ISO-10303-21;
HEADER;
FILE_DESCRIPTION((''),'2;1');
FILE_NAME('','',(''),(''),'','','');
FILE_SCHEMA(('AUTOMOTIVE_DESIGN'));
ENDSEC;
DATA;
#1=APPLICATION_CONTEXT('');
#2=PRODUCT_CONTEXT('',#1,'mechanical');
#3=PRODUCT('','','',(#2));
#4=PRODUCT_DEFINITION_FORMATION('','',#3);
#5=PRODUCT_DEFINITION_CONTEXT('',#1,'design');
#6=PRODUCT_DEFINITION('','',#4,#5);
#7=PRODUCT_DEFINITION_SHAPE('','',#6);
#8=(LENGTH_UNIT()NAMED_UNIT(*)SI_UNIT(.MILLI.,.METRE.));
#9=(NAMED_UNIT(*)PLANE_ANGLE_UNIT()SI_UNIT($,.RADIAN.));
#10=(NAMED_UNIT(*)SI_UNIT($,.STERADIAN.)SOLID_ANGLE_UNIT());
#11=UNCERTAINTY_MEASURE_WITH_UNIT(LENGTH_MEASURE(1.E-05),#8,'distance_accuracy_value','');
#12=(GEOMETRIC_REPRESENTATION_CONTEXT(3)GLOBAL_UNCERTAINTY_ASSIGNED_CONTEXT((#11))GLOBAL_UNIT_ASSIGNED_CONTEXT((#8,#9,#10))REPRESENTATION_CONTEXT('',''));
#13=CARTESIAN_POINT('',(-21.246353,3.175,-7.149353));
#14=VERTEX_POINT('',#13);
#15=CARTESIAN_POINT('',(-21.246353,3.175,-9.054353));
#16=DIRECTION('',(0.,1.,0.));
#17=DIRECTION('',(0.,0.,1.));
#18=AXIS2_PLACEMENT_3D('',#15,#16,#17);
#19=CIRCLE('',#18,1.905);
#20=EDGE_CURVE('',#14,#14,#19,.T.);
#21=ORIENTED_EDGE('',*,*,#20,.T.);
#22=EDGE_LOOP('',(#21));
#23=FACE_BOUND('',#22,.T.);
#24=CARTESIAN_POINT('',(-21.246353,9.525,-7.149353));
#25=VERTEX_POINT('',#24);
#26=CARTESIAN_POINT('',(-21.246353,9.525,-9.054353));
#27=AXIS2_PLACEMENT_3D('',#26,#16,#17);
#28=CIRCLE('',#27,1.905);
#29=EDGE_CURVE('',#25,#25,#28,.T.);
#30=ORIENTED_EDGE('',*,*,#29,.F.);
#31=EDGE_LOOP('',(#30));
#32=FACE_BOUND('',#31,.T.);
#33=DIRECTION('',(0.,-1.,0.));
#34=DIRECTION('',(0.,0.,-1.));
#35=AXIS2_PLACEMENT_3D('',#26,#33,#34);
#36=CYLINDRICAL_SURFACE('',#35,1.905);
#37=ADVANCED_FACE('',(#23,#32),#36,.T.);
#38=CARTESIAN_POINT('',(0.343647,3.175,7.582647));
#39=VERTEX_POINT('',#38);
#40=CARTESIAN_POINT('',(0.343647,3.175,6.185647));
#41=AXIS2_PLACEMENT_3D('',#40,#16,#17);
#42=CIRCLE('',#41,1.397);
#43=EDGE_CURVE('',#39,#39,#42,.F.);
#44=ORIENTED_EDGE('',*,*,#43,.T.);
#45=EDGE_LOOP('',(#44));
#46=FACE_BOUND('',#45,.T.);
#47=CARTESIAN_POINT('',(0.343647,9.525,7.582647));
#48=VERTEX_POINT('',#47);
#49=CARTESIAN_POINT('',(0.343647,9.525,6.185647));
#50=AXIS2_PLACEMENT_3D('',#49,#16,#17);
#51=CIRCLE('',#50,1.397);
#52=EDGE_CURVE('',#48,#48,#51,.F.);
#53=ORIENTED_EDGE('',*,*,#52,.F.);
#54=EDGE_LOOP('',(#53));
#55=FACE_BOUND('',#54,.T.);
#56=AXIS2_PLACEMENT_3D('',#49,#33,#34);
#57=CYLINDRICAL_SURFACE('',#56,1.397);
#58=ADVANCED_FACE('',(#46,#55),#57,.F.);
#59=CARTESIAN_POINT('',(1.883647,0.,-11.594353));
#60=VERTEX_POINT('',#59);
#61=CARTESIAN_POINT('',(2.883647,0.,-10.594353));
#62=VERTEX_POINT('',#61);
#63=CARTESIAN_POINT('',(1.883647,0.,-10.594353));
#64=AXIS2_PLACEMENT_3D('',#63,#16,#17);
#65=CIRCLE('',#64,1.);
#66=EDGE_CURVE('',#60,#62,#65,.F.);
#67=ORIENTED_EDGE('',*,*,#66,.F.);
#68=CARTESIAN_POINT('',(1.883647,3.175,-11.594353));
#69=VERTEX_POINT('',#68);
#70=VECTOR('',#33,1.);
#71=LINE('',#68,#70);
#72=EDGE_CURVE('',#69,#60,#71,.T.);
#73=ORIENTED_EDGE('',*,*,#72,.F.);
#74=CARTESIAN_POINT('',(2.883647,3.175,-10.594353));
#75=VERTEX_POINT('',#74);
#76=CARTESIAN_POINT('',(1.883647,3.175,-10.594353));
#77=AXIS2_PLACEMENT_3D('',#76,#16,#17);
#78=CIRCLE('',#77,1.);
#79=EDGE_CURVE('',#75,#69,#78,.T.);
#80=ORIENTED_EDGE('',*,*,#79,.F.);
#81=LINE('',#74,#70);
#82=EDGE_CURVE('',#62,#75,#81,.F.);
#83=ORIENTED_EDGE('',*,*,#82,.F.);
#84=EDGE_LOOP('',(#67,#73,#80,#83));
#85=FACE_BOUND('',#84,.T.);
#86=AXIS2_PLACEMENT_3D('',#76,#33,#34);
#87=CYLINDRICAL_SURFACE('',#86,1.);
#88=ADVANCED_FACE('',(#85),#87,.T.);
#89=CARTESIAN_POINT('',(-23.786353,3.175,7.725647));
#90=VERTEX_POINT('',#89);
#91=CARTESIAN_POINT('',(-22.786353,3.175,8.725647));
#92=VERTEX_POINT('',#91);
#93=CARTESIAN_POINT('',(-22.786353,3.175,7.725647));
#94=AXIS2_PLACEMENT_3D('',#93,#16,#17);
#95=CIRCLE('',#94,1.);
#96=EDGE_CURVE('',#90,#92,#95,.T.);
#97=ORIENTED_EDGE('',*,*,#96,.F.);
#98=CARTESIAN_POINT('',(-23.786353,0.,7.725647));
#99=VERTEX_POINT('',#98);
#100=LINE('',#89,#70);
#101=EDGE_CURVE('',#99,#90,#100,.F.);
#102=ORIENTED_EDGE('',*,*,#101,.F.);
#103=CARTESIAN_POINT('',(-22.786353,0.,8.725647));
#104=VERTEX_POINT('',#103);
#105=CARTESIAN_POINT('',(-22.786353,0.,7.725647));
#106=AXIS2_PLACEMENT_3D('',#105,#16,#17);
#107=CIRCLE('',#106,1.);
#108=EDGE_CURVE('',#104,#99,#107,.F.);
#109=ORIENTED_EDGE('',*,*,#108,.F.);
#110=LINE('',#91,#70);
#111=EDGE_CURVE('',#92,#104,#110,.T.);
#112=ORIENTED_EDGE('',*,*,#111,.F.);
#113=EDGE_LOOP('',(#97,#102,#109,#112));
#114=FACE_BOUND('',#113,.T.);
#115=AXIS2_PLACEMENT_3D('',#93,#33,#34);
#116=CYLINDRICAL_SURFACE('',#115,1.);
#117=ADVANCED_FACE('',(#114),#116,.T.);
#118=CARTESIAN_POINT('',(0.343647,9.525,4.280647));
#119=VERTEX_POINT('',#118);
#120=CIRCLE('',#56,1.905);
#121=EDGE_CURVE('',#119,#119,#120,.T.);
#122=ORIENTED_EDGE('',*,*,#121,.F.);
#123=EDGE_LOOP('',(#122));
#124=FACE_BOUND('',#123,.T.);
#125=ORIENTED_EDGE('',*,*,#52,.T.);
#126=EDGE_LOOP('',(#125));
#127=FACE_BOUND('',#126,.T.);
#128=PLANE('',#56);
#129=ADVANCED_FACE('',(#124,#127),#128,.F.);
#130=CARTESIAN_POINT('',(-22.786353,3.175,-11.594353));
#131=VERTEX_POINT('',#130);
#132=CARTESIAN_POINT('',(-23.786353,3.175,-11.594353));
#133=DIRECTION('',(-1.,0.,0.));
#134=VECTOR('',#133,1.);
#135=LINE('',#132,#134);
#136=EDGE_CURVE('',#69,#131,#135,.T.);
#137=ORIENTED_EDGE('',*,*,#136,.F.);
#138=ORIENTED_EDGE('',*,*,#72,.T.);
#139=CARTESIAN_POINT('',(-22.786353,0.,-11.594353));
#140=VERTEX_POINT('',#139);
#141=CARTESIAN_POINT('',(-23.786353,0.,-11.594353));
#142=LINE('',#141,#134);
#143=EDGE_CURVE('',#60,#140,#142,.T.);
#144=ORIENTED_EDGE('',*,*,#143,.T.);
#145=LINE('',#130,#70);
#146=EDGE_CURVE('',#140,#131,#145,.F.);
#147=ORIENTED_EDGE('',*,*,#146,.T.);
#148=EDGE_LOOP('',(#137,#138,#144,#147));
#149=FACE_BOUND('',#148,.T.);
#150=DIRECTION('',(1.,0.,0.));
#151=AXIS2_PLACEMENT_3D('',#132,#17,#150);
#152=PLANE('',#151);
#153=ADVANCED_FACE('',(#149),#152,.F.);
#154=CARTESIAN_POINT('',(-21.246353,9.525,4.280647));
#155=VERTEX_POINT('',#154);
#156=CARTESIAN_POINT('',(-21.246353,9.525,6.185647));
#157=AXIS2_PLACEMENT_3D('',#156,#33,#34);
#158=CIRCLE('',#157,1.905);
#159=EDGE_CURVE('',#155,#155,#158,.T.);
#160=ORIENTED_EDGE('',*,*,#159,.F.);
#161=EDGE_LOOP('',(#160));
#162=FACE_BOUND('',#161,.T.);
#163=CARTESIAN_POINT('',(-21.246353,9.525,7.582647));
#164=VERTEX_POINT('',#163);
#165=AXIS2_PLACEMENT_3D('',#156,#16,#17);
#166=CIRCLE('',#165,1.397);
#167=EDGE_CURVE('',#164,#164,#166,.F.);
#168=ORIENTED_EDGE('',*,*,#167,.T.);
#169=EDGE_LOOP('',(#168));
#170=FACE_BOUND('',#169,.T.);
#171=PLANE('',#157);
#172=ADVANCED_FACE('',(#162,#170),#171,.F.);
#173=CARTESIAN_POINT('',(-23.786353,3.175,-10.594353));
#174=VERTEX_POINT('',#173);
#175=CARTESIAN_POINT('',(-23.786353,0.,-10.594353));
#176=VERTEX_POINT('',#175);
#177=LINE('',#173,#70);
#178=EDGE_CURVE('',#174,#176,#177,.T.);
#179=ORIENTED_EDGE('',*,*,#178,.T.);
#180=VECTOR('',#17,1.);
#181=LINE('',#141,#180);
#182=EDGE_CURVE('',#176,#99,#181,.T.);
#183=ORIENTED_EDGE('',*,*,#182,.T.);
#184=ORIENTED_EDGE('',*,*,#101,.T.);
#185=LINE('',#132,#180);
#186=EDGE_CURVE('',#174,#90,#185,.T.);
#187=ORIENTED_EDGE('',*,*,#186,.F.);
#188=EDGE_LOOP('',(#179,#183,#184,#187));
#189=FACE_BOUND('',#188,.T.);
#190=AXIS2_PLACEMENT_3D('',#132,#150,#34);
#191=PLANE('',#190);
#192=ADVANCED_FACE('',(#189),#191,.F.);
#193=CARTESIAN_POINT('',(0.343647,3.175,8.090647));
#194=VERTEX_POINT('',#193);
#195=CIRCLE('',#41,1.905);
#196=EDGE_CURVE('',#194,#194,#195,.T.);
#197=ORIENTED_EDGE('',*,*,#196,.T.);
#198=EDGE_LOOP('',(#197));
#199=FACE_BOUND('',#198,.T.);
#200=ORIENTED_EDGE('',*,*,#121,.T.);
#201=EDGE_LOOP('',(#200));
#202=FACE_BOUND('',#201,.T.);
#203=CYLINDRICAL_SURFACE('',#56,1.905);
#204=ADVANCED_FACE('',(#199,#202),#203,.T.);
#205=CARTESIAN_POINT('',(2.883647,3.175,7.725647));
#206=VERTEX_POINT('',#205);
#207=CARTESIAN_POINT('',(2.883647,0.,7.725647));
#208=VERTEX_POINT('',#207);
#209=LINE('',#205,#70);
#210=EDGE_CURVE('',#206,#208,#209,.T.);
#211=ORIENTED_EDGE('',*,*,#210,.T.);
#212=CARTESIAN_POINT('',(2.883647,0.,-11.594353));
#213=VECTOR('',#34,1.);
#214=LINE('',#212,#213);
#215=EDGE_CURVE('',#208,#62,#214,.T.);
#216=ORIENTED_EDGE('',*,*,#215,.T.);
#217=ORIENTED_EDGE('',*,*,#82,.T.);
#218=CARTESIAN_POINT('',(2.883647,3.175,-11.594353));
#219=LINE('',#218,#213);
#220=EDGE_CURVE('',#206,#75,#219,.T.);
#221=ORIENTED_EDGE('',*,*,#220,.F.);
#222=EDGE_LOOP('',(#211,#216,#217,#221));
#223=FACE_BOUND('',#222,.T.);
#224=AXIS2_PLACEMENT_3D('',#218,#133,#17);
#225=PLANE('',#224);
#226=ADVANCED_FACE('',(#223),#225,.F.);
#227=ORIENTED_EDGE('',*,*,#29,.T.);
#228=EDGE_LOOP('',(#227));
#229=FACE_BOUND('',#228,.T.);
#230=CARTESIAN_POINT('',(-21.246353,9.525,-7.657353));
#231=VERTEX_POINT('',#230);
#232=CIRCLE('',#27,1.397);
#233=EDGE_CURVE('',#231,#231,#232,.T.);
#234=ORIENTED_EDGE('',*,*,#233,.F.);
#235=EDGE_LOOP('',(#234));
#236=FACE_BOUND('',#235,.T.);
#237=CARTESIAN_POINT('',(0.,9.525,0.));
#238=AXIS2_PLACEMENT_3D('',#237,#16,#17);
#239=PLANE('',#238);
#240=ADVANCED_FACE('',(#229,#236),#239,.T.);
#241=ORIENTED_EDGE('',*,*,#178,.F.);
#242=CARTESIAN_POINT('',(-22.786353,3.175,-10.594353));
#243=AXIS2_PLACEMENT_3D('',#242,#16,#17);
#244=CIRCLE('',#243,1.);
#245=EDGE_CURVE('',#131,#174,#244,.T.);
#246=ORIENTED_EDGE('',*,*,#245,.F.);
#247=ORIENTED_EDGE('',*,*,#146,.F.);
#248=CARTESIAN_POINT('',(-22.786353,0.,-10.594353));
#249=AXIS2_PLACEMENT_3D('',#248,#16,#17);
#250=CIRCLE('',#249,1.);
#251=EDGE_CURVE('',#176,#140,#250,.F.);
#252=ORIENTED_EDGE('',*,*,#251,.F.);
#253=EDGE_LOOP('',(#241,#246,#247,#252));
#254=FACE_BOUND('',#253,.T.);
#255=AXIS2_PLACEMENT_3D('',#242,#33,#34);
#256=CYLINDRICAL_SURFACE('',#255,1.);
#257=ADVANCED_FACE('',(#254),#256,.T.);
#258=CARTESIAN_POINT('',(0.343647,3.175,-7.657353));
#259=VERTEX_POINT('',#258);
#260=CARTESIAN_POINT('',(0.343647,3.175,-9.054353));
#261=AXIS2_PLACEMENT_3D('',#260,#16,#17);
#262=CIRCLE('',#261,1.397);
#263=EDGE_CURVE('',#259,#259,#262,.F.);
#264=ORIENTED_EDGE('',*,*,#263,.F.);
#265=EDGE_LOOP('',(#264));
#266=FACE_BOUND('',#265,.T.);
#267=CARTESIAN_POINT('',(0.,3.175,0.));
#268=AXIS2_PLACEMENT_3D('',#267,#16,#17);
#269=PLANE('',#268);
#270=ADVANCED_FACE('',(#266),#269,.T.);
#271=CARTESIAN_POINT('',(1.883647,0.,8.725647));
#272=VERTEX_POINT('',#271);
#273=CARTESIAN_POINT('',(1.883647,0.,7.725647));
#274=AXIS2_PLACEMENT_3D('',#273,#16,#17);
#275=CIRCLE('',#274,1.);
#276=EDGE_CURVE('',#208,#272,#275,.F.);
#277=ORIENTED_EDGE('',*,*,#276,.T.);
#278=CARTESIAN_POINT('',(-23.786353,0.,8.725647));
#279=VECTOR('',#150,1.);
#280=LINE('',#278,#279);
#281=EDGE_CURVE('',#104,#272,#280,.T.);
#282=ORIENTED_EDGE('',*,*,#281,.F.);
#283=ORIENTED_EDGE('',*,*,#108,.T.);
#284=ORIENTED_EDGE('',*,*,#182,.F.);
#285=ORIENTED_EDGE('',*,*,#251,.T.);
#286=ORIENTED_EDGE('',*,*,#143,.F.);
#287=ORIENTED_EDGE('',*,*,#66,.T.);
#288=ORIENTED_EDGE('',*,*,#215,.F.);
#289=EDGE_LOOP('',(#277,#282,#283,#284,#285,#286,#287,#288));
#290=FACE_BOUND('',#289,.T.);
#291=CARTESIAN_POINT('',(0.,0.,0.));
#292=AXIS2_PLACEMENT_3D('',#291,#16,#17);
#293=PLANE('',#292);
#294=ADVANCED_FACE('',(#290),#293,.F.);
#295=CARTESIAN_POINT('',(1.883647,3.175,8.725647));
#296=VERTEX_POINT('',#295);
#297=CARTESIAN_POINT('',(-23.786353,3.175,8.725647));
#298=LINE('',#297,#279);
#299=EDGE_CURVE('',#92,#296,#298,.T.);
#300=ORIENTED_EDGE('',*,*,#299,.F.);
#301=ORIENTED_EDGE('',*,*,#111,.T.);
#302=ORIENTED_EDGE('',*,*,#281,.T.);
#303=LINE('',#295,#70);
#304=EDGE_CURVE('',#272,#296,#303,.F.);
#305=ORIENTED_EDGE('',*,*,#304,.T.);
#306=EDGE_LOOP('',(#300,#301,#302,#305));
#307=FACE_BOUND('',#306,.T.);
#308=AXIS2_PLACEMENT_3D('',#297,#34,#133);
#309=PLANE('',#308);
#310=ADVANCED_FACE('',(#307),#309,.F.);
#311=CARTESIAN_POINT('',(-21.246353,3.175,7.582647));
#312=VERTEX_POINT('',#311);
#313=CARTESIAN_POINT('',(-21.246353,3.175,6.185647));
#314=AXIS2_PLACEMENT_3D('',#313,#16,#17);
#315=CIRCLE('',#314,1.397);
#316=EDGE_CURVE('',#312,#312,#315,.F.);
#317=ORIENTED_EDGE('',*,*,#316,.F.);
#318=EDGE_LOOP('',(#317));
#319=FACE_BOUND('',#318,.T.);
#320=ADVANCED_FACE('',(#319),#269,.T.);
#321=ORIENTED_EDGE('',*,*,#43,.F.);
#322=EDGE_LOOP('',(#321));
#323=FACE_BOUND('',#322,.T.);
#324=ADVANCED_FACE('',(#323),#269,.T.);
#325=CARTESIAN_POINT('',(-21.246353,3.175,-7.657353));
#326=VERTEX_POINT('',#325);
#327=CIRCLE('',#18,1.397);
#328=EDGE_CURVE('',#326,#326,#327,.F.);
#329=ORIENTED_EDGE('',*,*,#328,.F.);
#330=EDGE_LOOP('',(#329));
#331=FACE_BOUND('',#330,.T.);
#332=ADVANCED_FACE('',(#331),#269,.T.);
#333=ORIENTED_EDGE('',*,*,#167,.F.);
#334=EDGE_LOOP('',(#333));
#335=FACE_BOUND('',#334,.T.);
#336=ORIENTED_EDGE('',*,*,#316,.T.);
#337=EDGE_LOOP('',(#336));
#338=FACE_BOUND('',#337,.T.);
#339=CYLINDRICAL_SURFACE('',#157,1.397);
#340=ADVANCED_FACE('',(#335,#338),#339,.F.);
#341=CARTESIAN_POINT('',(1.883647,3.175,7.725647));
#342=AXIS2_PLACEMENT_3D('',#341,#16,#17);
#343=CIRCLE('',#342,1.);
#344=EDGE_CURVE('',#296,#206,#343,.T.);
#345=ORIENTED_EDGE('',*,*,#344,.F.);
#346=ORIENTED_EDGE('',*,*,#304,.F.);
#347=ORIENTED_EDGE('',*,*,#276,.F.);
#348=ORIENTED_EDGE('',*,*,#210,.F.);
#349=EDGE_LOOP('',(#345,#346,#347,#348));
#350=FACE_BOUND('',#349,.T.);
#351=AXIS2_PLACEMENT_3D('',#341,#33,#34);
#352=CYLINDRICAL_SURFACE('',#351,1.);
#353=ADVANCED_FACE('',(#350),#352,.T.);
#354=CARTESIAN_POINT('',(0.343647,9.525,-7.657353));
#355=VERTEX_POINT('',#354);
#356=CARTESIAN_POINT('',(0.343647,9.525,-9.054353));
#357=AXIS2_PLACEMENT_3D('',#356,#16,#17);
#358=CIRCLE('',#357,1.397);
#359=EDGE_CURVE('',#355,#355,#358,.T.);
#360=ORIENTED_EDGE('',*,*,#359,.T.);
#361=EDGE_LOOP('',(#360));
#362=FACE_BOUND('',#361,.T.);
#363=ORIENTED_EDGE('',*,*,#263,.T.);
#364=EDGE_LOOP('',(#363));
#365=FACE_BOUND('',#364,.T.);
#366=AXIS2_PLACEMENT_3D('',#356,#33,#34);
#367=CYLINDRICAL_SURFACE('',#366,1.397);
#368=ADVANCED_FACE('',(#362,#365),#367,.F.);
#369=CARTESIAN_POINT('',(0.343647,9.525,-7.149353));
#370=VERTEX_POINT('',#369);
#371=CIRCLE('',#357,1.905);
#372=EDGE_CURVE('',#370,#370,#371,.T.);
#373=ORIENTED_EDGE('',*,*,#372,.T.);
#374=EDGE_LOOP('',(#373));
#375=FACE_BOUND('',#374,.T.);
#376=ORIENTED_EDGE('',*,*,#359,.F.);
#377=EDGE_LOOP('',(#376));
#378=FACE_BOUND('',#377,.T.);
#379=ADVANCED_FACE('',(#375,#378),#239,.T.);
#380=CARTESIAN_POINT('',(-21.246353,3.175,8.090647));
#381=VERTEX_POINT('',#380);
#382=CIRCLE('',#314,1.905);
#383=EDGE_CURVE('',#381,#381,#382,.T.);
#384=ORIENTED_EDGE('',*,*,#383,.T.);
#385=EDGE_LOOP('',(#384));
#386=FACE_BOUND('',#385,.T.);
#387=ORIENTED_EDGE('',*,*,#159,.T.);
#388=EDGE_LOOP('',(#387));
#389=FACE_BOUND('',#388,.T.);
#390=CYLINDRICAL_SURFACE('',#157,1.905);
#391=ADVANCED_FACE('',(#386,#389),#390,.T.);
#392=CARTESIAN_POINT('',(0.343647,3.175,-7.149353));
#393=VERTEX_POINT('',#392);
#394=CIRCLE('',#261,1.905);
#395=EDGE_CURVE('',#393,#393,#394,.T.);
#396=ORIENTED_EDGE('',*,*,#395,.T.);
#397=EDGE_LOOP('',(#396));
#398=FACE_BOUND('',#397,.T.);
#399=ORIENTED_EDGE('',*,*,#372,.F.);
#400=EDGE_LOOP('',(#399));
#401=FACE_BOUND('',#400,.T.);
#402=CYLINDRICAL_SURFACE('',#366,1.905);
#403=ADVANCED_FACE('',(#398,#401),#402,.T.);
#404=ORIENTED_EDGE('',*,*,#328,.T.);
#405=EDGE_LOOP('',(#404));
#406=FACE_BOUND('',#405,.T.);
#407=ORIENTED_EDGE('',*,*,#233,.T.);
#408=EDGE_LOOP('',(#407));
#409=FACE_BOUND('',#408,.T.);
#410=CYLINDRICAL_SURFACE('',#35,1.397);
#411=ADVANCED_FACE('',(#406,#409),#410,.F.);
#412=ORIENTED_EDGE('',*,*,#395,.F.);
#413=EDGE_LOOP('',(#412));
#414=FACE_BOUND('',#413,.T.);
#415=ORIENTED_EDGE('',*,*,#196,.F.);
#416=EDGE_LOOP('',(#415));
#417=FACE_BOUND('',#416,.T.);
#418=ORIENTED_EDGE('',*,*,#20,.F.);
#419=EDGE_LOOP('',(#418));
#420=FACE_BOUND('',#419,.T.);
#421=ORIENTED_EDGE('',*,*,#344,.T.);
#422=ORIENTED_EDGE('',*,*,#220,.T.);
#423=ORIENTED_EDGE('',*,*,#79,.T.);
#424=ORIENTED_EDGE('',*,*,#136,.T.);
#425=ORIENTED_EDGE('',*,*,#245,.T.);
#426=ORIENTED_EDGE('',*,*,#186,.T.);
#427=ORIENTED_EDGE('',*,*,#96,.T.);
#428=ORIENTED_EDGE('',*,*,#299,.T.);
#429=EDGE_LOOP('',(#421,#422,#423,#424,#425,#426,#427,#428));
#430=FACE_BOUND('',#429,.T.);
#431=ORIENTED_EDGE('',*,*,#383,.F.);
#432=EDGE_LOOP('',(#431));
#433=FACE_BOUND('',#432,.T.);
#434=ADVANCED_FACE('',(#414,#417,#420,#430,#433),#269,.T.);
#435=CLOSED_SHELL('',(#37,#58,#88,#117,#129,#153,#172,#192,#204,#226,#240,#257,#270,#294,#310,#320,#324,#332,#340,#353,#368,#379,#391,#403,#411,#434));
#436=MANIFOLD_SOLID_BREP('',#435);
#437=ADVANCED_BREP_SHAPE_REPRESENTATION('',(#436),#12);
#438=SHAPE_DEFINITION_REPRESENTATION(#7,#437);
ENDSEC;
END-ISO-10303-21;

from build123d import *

# Parameters (mm, degrees)
SKETCH1_W           = 26.67
SKETCH1_H           = 20.32
BOSS_EXTRUDE1_DEPTH = 3.175
SKETCH2_R           = 1.905
SKETCH2_R_2         = 1.397
BOSS_EXTRUDE2_DEPTH = 6.35
FILLET1_R           = 1


with BuildPart() as part:
    # Sketch1 → Boss-Extrude1 (new body)
    with BuildSketch(Plane(origin=(0, 0, 0), x_dir=(1, 0, 0), z_dir=(0, 1, 0))):
        with Locations((-10.451352941, 1.434352941)):
            Rectangle(SKETCH1_W, SKETCH1_H)
    extrude(amount=BOSS_EXTRUDE1_DEPTH)

    # Sketch2 → Boss-Extrude2 (add)
    with BuildSketch(Plane(origin=(0, 3.175, 0), x_dir=(1, 0, 0), z_dir=(0, 1, 0))):
        with Locations((-21.246352941, 9.054352941)):
            Circle(SKETCH2_R)
        with Locations((-21.246352941, 9.054352941)):
            Circle(SKETCH2_R_2, mode=Mode.SUBTRACT)
        with Locations((0.343647059, 9.054352941)):
            Circle(SKETCH2_R)
        with Locations((0.343647059, 9.054352941)):
            Circle(SKETCH2_R_2, mode=Mode.SUBTRACT)
        with Locations((0.343647059, -6.185647059)):
            Circle(SKETCH2_R)
        with Locations((0.343647059, -6.185647059)):
            Circle(SKETCH2_R_2, mode=Mode.SUBTRACT)
        with Locations((-21.246352941, -6.185647059)):
            Circle(SKETCH2_R)
        with Locations((-21.246352941, -6.185647059)):
            Circle(SKETCH2_R_2, mode=Mode.SUBTRACT)
    extrude(amount=BOSS_EXTRUDE2_DEPTH)

    # Fillet1
    fillet1_edges = [part.edges().sort_by_distance(p)[0] for p in [
        (-23.786352941, 1.5875, -11.594352941),
        (2.883647059, 1.5875, -11.594352941),
        (2.883647059, 1.5875, 8.725647059),
        (-23.786352941, 1.5875, 8.725647059),
    ]]
    fillet(fillet1_edges, radius=FILLET1_R)


solid = part.part
